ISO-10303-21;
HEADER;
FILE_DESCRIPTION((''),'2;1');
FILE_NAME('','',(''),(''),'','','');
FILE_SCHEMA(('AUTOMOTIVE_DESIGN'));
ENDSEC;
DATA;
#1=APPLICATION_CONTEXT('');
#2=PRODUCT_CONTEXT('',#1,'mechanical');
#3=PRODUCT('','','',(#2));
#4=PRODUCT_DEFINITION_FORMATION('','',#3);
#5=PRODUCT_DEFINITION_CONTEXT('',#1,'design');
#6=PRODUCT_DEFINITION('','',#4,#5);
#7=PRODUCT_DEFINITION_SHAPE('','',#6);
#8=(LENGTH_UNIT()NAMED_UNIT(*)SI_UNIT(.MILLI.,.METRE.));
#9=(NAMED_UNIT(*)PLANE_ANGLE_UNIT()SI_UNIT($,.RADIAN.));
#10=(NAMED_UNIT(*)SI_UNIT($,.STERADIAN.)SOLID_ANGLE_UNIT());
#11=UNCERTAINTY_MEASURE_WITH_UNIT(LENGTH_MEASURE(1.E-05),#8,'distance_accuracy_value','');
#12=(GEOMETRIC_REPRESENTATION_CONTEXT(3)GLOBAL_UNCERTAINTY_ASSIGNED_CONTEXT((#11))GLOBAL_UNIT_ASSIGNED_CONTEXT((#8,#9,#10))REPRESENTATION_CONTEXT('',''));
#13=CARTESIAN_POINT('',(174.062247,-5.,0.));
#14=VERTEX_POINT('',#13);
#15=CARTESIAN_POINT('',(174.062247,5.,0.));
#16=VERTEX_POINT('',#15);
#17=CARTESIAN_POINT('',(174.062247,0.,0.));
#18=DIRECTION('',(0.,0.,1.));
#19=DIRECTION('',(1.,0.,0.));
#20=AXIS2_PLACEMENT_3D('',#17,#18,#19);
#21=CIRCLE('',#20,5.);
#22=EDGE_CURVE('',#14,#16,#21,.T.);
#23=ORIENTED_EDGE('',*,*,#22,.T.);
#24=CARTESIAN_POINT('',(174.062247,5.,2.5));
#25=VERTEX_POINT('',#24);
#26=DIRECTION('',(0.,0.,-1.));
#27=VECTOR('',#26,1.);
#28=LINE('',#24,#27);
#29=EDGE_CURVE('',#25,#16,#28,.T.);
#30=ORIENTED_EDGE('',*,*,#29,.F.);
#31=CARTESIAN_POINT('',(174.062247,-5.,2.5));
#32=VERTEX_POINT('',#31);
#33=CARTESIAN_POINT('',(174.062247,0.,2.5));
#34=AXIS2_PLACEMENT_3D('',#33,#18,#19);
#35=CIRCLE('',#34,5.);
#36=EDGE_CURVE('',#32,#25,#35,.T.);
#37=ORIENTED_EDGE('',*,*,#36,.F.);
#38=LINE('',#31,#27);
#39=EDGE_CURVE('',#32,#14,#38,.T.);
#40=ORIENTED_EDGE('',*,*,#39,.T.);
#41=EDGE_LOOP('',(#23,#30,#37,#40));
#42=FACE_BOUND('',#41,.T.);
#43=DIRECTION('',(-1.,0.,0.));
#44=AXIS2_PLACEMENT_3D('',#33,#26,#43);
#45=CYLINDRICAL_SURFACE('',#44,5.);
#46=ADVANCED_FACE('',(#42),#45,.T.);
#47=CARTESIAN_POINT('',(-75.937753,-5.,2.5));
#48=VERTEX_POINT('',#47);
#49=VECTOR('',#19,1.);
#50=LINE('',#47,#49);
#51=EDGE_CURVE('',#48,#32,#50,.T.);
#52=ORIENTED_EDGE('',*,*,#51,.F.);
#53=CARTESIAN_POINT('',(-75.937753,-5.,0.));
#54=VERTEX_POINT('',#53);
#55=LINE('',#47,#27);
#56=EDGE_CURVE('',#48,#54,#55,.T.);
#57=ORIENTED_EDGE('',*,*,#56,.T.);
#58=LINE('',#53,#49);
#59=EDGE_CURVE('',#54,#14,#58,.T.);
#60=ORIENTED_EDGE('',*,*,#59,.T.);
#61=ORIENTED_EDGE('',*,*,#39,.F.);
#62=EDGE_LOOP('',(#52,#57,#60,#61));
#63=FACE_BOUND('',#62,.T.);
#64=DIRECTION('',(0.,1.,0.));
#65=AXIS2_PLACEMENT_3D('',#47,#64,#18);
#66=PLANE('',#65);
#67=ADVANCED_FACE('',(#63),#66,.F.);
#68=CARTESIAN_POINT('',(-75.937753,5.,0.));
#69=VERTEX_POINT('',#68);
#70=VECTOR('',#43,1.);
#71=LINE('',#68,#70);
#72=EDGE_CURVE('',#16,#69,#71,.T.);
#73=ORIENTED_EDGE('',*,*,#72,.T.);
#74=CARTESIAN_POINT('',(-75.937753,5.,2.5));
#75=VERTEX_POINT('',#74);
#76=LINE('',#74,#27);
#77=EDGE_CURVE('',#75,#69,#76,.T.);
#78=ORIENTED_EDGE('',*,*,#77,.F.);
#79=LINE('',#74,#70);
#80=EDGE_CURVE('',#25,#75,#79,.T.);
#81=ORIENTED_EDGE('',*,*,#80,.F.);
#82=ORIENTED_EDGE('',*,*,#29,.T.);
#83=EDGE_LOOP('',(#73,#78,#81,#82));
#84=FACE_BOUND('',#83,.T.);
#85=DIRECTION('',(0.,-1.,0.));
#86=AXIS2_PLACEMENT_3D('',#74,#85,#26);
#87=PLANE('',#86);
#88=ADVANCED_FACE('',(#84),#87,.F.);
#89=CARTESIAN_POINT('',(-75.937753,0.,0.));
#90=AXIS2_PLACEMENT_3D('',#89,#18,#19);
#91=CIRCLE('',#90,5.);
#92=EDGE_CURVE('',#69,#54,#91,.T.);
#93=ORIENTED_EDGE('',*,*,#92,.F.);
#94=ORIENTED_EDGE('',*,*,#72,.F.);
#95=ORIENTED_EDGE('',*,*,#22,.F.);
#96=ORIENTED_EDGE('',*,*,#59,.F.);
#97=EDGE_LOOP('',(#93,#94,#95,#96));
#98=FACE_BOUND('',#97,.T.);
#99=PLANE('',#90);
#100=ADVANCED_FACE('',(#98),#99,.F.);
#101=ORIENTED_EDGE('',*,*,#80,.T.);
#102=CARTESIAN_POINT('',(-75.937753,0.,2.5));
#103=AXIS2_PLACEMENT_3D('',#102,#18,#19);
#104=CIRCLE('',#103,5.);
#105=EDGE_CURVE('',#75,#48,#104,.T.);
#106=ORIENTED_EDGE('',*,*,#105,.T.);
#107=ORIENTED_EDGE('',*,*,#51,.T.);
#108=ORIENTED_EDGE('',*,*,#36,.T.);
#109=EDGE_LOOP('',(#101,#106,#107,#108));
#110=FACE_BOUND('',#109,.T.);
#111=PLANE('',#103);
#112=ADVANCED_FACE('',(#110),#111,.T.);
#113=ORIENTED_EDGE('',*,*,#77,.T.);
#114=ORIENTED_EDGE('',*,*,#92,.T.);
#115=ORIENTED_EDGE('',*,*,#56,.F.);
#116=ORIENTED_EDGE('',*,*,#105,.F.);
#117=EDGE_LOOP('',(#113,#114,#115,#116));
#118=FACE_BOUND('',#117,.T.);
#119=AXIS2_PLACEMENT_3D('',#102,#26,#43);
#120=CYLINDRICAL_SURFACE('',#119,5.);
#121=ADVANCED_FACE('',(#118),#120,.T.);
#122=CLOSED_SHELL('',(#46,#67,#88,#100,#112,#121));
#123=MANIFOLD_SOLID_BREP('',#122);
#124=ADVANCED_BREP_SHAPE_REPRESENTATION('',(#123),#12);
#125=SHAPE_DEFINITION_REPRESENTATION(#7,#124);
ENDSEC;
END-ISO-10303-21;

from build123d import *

# Parameters (mm, degrees)
BOSS_EXTRUDE1_DEPTH = 2.5


with BuildPart() as part:
    # Sketch2 → Boss-Extrude1 (new body)
    with BuildSketch(Plane.XY):
        with BuildLine():
            Line((-75.937752546, 5), (174.062247454, 5))
            ThreePointArc((174.062247454, 5), (179.062247454, 0), (174.062247454, -5))
            Line((174.062247454, -5), (-75.937752546, -5))
            ThreePointArc((-75.937752546, -5), (-80.937752546, 0), (-75.937752546, 5))
        make_face()
    extrude(amount=BOSS_EXTRUDE1_DEPTH)


solid = part.part
